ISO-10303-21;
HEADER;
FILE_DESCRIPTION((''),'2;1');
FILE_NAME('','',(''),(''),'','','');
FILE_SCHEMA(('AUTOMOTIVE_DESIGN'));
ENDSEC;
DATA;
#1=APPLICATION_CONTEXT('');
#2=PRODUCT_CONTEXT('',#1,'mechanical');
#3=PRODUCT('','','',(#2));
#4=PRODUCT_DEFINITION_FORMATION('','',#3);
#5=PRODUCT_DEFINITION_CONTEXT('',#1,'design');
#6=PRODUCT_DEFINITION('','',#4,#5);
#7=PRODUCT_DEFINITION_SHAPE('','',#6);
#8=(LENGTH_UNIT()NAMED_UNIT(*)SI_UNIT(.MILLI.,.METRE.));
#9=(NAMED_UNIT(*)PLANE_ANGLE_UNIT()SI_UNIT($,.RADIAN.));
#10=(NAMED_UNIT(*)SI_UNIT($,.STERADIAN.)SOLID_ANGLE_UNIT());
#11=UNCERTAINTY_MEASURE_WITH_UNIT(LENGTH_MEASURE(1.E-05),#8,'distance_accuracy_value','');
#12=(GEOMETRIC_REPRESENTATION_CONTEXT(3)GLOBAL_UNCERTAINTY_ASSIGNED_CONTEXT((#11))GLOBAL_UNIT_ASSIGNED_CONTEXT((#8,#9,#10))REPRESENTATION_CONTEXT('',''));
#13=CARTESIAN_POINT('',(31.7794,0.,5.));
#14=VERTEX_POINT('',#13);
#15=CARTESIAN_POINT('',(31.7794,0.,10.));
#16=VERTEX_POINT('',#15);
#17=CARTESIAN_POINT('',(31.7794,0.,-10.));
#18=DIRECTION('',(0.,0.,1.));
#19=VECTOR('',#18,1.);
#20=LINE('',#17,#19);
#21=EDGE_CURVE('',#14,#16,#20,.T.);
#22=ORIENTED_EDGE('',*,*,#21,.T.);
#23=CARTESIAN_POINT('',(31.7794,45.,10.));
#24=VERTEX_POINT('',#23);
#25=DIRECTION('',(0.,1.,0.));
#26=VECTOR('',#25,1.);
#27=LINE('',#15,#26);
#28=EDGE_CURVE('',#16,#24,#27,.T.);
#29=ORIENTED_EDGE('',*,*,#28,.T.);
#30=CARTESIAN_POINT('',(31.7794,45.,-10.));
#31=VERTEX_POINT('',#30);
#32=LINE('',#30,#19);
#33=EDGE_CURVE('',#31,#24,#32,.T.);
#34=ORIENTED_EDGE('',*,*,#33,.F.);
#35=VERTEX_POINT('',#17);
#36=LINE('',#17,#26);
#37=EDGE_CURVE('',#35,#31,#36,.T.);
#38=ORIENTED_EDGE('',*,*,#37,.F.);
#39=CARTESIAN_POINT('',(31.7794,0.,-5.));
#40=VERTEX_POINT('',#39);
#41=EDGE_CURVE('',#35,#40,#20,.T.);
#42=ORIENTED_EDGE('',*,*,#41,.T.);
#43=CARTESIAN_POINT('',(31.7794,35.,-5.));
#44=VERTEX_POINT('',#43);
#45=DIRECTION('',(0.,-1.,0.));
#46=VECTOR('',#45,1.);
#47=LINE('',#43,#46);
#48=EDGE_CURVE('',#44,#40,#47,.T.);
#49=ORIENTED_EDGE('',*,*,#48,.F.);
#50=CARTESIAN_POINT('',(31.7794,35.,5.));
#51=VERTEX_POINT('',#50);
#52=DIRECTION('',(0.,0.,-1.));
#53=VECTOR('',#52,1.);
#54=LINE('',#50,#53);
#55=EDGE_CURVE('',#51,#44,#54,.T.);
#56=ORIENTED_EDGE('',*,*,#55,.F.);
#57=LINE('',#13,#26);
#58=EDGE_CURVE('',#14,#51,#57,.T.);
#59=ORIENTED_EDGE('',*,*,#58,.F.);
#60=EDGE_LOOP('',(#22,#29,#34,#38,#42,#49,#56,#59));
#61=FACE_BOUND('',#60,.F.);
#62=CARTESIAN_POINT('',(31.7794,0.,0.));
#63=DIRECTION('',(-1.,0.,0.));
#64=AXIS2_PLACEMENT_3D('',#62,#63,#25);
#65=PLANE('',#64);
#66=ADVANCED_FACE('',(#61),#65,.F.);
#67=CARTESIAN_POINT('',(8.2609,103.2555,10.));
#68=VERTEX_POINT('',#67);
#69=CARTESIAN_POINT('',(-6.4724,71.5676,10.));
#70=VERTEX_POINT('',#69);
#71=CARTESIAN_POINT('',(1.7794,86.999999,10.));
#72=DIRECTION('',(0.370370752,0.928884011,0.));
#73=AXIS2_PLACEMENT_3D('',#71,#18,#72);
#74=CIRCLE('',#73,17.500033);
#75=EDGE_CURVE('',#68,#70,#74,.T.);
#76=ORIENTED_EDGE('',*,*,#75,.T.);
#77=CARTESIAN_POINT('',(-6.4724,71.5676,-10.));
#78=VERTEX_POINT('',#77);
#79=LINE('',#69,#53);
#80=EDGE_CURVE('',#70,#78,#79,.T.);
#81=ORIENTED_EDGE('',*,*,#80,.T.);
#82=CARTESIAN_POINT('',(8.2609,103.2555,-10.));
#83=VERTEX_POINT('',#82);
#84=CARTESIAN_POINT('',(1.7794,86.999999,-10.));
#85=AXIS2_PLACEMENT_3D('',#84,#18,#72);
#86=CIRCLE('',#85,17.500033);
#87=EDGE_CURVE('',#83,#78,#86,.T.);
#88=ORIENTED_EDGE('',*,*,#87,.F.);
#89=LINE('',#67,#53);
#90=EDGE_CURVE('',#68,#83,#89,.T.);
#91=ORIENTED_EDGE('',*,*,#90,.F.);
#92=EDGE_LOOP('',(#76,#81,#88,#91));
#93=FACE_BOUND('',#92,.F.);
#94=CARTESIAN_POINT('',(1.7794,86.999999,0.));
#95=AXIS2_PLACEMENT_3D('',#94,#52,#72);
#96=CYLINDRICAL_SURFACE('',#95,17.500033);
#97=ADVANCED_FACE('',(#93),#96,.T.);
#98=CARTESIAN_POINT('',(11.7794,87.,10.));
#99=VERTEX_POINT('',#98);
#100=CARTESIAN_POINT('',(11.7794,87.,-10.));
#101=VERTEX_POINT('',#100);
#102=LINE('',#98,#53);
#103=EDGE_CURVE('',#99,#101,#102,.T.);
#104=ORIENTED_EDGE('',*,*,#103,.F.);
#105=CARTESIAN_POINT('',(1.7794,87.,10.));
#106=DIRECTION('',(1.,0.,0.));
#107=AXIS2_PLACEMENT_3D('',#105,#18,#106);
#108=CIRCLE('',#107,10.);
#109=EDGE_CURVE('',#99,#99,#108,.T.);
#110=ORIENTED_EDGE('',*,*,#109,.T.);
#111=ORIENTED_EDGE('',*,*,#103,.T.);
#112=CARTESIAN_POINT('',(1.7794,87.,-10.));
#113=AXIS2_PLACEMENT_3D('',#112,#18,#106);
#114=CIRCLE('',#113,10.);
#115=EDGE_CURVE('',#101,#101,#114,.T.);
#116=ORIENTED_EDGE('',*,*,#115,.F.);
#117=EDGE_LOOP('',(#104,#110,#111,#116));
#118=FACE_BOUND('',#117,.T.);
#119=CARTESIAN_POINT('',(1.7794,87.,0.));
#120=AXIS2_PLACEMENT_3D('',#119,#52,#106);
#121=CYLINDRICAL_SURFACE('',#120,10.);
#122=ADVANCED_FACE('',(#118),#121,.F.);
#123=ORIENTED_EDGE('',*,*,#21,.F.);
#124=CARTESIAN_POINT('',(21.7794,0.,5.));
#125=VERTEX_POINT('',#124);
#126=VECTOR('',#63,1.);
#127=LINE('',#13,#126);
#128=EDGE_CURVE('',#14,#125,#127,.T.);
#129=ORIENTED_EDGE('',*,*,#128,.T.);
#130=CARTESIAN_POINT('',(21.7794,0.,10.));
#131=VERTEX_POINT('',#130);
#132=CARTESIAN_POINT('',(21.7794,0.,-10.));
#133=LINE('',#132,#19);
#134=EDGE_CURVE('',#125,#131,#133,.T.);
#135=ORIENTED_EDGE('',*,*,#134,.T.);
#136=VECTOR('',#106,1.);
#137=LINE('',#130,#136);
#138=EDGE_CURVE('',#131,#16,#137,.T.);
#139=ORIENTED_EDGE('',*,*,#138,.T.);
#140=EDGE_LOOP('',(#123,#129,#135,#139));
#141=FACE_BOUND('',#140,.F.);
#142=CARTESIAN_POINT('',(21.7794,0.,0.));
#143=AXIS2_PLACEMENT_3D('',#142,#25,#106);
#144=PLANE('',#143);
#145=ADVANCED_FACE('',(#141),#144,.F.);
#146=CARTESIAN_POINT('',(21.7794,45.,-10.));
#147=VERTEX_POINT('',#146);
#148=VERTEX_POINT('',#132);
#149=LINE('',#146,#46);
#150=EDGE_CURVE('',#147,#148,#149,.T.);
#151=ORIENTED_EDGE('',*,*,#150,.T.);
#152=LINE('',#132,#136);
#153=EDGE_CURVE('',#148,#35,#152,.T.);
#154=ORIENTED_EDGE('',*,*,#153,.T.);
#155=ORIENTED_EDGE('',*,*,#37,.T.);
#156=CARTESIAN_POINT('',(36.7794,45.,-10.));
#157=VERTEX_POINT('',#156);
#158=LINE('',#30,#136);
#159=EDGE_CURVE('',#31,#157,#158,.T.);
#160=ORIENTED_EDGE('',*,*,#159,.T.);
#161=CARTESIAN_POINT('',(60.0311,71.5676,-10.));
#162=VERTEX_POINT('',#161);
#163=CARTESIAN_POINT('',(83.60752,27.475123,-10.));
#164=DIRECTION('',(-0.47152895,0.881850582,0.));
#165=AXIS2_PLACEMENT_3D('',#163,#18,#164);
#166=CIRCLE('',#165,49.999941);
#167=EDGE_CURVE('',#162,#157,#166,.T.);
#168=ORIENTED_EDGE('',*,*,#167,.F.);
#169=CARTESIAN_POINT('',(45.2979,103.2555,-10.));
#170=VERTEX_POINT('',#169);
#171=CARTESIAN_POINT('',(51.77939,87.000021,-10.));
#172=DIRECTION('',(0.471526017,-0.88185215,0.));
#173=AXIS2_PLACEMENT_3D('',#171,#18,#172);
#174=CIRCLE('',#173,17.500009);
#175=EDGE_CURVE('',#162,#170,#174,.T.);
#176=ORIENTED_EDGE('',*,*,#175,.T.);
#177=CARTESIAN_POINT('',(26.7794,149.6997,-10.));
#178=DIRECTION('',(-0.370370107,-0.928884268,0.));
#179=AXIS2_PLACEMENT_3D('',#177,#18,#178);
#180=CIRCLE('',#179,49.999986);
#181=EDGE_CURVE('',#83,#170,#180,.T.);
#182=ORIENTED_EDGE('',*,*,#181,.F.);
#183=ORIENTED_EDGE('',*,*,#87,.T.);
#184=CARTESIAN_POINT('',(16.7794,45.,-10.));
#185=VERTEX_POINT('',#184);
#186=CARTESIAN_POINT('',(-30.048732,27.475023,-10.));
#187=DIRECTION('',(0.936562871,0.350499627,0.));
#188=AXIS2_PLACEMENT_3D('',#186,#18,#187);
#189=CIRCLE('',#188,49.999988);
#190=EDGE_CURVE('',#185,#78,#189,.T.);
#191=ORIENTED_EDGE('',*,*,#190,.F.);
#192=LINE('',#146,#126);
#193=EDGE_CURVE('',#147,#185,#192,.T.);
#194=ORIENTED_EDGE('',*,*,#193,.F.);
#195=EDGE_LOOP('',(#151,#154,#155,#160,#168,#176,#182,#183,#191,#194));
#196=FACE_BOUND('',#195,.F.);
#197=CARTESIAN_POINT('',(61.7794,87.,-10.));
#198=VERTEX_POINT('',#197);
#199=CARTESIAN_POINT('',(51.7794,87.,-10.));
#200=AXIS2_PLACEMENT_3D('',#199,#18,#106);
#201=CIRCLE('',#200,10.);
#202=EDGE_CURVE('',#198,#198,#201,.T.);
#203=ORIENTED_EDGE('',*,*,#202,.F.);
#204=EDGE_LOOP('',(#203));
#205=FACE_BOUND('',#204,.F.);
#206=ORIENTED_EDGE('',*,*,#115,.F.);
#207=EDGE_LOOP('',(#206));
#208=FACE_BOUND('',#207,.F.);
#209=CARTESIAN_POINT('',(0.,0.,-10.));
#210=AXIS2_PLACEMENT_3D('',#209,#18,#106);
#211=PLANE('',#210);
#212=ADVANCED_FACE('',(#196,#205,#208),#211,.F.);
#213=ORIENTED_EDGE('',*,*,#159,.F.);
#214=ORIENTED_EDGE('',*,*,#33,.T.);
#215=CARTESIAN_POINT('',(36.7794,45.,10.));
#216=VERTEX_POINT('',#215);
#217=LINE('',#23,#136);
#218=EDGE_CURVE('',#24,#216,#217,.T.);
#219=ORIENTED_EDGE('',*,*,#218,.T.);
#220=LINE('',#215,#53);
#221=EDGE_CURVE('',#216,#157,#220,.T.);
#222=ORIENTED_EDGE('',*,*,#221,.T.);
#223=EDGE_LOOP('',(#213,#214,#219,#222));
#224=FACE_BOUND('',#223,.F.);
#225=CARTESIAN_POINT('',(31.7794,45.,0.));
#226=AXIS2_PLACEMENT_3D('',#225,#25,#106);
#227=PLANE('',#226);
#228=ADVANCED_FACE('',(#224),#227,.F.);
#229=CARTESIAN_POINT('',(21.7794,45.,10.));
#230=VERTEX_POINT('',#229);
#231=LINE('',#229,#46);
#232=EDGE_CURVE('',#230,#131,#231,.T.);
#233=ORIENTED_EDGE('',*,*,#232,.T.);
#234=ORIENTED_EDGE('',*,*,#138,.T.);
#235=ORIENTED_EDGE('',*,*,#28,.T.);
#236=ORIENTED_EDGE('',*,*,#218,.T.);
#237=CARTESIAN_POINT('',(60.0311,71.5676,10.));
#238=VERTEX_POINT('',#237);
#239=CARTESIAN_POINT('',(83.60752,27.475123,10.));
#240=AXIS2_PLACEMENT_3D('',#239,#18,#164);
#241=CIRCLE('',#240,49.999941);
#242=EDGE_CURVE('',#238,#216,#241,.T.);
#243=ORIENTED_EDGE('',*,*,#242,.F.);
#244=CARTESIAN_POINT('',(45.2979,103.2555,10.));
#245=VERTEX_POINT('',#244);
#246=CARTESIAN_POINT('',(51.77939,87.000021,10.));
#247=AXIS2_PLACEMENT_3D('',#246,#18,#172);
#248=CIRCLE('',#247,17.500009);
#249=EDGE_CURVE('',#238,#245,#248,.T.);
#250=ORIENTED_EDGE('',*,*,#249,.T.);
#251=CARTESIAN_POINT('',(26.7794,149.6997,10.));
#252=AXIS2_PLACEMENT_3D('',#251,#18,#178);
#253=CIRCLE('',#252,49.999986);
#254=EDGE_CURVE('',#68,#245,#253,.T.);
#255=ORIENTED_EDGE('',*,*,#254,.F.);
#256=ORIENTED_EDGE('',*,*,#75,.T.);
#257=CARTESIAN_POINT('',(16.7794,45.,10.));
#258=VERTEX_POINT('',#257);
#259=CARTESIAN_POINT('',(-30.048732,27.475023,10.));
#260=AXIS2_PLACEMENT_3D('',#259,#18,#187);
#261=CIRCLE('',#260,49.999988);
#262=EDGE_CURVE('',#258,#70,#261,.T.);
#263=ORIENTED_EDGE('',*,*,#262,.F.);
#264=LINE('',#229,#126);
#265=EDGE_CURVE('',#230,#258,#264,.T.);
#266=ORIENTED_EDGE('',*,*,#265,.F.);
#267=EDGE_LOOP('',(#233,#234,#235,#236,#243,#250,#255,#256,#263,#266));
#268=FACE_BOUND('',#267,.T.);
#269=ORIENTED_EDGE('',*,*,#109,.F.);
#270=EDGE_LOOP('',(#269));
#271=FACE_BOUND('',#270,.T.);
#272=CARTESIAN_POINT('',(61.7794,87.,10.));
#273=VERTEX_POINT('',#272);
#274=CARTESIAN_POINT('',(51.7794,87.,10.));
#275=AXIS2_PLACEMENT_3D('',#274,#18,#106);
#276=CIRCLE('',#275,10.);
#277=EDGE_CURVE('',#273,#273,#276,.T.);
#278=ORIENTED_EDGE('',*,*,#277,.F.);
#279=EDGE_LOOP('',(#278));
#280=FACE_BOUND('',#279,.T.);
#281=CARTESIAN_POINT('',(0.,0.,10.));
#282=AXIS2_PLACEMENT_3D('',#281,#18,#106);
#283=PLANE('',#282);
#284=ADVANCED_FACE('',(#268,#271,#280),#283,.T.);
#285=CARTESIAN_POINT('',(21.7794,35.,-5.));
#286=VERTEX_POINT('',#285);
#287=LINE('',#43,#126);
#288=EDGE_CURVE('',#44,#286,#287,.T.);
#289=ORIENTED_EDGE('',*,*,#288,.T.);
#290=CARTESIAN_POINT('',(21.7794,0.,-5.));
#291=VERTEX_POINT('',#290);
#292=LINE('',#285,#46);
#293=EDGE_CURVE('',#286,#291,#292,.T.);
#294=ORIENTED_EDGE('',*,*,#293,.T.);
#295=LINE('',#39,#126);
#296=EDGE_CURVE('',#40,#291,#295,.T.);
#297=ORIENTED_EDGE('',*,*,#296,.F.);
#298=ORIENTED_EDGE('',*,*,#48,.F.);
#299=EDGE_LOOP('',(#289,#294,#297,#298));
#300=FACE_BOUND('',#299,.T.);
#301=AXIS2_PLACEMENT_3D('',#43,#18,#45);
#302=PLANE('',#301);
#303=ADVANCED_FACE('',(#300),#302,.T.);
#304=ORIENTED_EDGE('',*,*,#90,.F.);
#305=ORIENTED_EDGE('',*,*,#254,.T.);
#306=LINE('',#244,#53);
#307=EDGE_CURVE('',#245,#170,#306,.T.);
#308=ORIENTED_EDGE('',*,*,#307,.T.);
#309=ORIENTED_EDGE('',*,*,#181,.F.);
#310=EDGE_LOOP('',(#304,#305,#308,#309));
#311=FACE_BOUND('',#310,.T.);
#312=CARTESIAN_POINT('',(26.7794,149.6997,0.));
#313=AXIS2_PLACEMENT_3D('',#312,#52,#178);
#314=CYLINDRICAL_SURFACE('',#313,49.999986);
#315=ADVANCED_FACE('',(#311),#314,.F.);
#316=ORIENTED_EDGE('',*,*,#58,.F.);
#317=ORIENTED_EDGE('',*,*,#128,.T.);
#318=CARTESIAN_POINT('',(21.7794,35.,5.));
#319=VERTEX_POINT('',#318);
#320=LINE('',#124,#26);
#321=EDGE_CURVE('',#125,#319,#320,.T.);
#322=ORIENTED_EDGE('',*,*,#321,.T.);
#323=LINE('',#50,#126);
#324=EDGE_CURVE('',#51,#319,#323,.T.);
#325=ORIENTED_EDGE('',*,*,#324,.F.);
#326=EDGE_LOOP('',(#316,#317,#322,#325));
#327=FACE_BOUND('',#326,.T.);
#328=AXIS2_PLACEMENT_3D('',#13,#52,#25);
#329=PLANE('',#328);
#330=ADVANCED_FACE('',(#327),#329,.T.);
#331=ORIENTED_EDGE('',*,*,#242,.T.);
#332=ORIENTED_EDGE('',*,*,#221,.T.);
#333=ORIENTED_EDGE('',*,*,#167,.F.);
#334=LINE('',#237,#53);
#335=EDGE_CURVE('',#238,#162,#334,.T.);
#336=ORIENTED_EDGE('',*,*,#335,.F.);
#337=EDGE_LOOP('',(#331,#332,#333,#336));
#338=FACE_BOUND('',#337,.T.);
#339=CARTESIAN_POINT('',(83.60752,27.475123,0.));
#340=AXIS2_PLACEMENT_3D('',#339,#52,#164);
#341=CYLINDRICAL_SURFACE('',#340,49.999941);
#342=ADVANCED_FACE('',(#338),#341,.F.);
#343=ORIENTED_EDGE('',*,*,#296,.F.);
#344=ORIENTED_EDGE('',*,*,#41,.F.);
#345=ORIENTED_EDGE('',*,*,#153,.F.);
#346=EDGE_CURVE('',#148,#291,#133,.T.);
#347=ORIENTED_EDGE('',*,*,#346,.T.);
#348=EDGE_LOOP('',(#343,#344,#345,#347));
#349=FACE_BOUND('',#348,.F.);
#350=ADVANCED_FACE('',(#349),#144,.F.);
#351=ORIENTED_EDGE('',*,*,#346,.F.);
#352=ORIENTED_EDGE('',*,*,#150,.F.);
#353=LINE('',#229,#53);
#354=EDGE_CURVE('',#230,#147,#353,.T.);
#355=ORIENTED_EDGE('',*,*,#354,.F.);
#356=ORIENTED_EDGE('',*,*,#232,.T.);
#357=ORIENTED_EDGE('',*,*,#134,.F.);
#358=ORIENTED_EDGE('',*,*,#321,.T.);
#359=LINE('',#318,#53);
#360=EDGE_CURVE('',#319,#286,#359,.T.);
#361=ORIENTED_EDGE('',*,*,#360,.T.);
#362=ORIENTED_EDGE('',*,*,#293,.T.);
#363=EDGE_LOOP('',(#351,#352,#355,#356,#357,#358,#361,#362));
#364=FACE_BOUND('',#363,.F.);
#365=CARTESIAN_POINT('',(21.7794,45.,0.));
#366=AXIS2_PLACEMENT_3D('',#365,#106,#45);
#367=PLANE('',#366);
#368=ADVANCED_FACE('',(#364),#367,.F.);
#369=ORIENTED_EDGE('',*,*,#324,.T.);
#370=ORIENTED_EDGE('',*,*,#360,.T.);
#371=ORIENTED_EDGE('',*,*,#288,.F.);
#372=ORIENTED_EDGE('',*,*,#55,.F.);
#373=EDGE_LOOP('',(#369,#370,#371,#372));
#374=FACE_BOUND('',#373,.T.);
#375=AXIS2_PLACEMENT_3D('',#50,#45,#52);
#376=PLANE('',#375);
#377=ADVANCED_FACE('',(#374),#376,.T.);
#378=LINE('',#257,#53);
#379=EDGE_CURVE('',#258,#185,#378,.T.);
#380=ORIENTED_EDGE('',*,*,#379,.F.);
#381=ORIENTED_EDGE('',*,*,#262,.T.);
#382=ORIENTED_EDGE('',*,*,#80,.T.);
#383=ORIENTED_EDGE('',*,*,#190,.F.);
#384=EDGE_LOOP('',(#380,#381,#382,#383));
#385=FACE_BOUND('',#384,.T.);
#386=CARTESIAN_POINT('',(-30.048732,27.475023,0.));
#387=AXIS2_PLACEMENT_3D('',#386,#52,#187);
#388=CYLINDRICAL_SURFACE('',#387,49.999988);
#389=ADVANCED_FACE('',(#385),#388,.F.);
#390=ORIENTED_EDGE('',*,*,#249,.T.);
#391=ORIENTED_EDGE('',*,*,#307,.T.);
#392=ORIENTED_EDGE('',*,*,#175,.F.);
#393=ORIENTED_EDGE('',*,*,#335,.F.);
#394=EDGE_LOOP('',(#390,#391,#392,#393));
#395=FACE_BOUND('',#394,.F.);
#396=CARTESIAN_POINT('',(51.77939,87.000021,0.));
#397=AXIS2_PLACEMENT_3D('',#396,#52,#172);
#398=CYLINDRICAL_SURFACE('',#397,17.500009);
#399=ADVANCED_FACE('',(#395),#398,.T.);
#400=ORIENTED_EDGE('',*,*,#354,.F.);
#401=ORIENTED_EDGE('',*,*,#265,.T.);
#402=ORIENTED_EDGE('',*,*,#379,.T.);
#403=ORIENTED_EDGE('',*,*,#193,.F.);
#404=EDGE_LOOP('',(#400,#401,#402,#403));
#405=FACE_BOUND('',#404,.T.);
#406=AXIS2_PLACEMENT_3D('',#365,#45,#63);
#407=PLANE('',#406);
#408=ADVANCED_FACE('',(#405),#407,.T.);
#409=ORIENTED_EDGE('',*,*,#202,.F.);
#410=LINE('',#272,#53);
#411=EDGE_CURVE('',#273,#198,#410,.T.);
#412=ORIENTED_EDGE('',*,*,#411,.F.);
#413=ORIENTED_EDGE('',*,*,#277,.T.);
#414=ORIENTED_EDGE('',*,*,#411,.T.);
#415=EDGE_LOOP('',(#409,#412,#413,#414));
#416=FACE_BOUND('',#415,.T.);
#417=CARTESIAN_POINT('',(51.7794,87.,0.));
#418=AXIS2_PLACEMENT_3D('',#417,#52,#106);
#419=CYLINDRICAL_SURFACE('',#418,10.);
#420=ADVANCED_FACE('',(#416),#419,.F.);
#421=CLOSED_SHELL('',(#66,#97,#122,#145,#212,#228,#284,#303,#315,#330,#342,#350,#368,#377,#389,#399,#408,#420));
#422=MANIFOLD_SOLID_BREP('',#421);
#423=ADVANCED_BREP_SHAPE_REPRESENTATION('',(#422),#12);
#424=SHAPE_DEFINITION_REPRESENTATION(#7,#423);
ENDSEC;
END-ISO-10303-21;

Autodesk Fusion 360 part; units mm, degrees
sketch "Sketch1" plane through (0, 0, 0) normal (0, 0, 1) x (1, 0, 0)
  circle A0 centre (1.7794, 87) radius 10
  circle A1 centre (51.7794, 87) radius 10
  line L0 (21.7794, 0) -> (31.7794, 0)
  line L1 (31.7794, 0) -> (31.7794, 45)
  line L2 (21.7794, 45) -> (21.7794, 0)
  line L3 (31.7794, 45) -> (36.7794, 45)
  line L4 (21.7794, 45) -> (16.7794, 45)
  arc A2 (60.0311, 71.5676) -> (36.7794, 45) centre (83.6075, 27.4751) ccw
  arc A3 (16.7794, 45) -> (-6.4724, 71.5676) centre (-30.0488, 27.4751) ccw
  arc A4 (8.2609, 103.2555) -> (45.2979, 103.2555) centre (26.7794, 149.6997) ccw
  arc A5 (8.2609, 103.2555) -> (-6.4724, 71.5676) centre (1.7794, 87) ccw
  arc A6 (60.0311, 71.5676) -> (45.2979, 103.2555) centre (51.7794, 87) ccw
  dimension "d1" = 20
  dimension "d2" = 20
  dimension "d3" = 35
  dimension "d4" = 35
  dimension "d5" = 50
  dimension "d6" = 87
  dimension "d7" = 87
  dimension "d8" = 100
  dimension "d9" = 10
  dimension "d10" = 45
  dimension "d11" = 20
  dimension "d12" = 5
  dimension "d13" = 5
  dimension "d14" = 50
  dimension "d15" = 42
  dimension "d16" = 50
  dimension "d17" = 45
  dimension "d18" = 113.6563
  dimension "d19" = 21.7794
extrude "Extrude1" add sketch "Sketch1" along normal mid plane 20
sketch "Sketch2" plane through (31.7794, 0, 0) normal (1, 0, 0) x (0, 0, -1)
  line L0 (10, 45) -> (-10, 45)
  line L1 (-10, 45) -> (-10, 0)
  line L2 (-10, 0) -> (10, 0)
  line L3 (10, 0) -> (10, 45)
  line L4 (-5, 0) -> (-5, 35)
  line L5 (-5, 35) -> (5, 35)
  line L6 (5, 35) -> (5, 0)
  dimension "d22" = 10
  dimension "d23" = 5
  dimension "d24" = 35
extrude "Extrude2" cut sketch "Sketch2" against normal blind 10 contours L2 L4 L5 L6
